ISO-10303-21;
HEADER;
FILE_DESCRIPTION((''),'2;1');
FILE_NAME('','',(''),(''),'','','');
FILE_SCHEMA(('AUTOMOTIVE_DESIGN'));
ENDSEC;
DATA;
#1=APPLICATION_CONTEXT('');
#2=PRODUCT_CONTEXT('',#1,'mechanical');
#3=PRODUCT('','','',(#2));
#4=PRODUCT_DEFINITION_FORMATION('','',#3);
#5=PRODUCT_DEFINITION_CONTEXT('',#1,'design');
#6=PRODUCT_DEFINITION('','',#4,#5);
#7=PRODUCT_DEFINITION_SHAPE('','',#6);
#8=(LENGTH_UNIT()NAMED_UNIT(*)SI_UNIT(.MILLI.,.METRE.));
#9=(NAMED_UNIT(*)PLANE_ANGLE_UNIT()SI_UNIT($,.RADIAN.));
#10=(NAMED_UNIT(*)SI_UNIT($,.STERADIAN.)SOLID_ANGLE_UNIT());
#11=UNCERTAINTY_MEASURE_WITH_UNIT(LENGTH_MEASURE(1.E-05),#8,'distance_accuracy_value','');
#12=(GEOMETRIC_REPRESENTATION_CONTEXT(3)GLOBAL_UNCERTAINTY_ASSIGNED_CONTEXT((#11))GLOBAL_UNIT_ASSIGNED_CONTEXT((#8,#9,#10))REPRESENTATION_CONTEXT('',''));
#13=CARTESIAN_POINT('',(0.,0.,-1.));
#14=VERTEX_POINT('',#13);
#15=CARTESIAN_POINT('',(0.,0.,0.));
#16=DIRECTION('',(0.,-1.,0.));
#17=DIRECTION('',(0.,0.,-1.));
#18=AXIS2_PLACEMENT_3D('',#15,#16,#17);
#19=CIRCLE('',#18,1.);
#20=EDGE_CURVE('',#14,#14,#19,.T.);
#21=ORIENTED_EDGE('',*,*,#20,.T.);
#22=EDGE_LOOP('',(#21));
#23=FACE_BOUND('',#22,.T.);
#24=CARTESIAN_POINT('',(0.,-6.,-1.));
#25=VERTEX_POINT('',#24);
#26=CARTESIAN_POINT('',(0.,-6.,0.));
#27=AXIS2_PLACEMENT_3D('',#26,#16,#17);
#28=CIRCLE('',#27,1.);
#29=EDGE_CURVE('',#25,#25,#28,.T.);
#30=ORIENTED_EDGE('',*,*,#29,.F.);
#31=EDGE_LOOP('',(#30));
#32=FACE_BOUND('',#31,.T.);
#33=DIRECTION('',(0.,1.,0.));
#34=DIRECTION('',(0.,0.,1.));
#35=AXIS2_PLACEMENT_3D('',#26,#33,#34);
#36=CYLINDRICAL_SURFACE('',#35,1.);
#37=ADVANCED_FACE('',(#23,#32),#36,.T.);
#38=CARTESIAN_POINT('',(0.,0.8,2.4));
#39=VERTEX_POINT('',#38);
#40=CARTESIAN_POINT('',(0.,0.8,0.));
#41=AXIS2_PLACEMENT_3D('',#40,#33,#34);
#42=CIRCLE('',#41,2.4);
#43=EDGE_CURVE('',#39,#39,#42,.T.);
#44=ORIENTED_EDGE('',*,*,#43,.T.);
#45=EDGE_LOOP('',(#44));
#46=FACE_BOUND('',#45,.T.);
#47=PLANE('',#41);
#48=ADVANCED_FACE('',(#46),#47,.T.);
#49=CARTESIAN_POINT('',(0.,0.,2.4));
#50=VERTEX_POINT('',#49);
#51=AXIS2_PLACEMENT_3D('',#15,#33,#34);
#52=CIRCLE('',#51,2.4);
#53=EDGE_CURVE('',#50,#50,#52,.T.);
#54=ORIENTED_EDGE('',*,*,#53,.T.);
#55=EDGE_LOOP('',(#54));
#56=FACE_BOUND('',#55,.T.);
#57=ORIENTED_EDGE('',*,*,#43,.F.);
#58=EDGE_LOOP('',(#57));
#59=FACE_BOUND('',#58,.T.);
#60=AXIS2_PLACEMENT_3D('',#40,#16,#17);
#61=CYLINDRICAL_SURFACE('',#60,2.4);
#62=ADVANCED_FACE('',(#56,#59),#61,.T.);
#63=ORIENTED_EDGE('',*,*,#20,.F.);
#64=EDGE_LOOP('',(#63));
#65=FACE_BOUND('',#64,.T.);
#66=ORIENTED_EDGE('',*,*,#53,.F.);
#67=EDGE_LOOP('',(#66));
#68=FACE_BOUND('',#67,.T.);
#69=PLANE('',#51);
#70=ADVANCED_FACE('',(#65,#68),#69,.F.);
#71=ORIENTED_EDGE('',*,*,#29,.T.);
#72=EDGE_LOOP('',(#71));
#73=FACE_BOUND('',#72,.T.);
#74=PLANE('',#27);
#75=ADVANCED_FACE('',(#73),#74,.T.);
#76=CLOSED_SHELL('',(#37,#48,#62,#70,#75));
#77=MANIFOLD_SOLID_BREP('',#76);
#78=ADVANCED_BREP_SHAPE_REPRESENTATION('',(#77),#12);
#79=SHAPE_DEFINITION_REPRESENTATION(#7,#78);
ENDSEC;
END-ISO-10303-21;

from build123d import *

# Parameters (mm, degrees)
SKETCH_1_R      = 2.4
EXTRUDE_1_DEPTH = 0.8
SKETCH_2_R      = 1
EXTRUDE_2_DEPTH = 6


with BuildPart() as part:
    # 草图1 → 凸台-拉伸1 (new body)
    with BuildSketch(Plane(origin=(0, 0, 0), x_dir=(1, 0, 0), z_dir=(0, 1, 0))):
        with Locations(Location((0, 0, 0), (0, 0, 270))):
            Circle(SKETCH_1_R)
    extrude(amount=EXTRUDE_1_DEPTH)

    # 草图2 → 凸台-拉伸2 (add)
    with BuildSketch(Plane.XZ):
        with Locations(Location((0, 0, 0), (0, 0, 270))):
            Circle(SKETCH_2_R)
    extrude(amount=EXTRUDE_2_DEPTH)


solid = part.part
